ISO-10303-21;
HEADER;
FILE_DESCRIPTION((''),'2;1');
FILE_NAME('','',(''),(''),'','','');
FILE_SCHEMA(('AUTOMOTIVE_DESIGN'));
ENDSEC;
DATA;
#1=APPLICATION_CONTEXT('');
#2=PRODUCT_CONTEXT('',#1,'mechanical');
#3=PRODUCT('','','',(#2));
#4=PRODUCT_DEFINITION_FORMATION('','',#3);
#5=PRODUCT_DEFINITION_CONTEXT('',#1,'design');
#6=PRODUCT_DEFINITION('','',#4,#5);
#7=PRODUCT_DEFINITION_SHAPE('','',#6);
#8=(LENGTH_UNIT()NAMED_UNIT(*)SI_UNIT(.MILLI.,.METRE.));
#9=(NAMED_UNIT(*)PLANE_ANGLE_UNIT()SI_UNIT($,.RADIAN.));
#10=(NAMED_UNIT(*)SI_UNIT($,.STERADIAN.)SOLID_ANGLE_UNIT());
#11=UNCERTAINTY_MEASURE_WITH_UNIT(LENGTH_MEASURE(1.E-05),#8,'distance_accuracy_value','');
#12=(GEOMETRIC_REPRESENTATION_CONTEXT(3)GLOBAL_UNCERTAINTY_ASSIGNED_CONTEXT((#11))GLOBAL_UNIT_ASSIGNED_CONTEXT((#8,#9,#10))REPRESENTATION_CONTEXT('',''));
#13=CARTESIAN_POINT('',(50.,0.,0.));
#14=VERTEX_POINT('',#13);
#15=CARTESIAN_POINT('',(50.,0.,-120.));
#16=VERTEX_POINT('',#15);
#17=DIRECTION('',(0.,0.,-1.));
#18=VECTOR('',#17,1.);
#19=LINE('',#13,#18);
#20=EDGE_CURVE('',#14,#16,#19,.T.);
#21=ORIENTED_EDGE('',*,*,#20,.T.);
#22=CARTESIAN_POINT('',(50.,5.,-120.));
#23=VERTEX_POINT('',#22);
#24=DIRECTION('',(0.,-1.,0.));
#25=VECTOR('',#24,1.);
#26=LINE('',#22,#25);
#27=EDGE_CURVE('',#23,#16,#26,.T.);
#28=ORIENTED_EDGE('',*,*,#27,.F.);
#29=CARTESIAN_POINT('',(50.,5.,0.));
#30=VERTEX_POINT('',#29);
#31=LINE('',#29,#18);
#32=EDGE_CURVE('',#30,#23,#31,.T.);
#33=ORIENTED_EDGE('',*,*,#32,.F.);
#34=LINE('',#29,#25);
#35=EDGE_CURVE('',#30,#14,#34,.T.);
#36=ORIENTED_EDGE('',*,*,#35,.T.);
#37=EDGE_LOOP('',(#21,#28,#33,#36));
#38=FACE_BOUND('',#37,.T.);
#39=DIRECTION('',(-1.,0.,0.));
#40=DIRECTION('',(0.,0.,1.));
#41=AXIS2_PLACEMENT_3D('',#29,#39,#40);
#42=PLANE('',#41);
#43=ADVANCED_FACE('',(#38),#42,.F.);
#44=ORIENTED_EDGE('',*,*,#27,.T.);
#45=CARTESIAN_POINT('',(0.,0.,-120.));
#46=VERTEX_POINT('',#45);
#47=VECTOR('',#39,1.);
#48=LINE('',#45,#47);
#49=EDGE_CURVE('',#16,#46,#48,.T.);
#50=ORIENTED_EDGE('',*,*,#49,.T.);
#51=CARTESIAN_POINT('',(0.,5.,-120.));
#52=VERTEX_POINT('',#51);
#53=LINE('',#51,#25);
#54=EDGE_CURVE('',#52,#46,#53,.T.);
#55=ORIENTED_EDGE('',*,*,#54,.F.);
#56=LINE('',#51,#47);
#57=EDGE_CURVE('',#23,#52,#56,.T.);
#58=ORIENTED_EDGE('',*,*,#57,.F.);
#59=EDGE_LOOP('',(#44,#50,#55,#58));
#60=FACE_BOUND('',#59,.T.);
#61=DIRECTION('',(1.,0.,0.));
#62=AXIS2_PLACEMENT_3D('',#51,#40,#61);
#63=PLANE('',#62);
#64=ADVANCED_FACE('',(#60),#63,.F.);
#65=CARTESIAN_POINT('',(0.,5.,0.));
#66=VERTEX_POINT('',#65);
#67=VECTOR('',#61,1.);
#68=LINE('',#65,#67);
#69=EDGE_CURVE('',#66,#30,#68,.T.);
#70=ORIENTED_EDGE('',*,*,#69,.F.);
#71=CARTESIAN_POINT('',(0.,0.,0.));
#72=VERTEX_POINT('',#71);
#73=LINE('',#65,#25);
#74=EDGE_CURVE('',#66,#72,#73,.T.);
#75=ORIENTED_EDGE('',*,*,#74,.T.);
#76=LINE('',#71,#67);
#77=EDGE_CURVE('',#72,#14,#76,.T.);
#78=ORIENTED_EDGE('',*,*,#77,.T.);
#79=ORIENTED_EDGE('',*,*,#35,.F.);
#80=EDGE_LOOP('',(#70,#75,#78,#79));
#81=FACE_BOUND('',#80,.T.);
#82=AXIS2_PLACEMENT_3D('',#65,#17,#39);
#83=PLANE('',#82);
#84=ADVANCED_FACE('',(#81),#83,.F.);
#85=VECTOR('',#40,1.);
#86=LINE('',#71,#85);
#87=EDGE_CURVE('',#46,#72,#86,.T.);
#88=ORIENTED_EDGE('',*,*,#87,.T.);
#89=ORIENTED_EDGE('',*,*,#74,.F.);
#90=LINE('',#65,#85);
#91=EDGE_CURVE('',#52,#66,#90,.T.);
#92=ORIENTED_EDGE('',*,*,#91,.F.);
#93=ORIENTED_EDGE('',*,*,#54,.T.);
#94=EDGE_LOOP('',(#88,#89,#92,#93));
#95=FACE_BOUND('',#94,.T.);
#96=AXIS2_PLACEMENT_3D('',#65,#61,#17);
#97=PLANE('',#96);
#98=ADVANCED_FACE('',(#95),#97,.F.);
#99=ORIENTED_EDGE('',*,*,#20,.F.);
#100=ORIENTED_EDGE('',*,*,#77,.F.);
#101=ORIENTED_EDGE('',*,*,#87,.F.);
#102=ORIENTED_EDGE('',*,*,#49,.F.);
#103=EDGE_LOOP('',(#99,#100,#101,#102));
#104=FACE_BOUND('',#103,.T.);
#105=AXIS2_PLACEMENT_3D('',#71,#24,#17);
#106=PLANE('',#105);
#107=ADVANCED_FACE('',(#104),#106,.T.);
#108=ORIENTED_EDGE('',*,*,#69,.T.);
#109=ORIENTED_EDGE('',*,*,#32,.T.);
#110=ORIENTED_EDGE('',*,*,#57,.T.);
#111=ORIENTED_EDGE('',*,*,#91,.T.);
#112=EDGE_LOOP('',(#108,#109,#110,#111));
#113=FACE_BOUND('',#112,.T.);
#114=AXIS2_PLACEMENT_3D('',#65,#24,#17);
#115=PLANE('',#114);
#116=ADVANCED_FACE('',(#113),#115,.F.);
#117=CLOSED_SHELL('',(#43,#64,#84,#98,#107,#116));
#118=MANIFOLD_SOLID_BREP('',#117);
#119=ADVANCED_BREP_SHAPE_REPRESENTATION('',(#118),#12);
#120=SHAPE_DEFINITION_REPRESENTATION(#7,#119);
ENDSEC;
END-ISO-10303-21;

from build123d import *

# Parameters (mm, degrees)
SKETCH_1_W      = 50
SKETCH_1_H      = 120
EXTRUDE_1_DEPTH = 5


with BuildPart() as part:
    # Эскиз1 → Бобышка-Вытянуть1 (new body)
    with BuildSketch(Plane(origin=(0, 0, 0), x_dir=(1, 0, 0), z_dir=(0, 1, 0))):
        with Locations((25, 60)):
            Rectangle(SKETCH_1_W, SKETCH_1_H)
    extrude(amount=EXTRUDE_1_DEPTH)


solid = part.part
